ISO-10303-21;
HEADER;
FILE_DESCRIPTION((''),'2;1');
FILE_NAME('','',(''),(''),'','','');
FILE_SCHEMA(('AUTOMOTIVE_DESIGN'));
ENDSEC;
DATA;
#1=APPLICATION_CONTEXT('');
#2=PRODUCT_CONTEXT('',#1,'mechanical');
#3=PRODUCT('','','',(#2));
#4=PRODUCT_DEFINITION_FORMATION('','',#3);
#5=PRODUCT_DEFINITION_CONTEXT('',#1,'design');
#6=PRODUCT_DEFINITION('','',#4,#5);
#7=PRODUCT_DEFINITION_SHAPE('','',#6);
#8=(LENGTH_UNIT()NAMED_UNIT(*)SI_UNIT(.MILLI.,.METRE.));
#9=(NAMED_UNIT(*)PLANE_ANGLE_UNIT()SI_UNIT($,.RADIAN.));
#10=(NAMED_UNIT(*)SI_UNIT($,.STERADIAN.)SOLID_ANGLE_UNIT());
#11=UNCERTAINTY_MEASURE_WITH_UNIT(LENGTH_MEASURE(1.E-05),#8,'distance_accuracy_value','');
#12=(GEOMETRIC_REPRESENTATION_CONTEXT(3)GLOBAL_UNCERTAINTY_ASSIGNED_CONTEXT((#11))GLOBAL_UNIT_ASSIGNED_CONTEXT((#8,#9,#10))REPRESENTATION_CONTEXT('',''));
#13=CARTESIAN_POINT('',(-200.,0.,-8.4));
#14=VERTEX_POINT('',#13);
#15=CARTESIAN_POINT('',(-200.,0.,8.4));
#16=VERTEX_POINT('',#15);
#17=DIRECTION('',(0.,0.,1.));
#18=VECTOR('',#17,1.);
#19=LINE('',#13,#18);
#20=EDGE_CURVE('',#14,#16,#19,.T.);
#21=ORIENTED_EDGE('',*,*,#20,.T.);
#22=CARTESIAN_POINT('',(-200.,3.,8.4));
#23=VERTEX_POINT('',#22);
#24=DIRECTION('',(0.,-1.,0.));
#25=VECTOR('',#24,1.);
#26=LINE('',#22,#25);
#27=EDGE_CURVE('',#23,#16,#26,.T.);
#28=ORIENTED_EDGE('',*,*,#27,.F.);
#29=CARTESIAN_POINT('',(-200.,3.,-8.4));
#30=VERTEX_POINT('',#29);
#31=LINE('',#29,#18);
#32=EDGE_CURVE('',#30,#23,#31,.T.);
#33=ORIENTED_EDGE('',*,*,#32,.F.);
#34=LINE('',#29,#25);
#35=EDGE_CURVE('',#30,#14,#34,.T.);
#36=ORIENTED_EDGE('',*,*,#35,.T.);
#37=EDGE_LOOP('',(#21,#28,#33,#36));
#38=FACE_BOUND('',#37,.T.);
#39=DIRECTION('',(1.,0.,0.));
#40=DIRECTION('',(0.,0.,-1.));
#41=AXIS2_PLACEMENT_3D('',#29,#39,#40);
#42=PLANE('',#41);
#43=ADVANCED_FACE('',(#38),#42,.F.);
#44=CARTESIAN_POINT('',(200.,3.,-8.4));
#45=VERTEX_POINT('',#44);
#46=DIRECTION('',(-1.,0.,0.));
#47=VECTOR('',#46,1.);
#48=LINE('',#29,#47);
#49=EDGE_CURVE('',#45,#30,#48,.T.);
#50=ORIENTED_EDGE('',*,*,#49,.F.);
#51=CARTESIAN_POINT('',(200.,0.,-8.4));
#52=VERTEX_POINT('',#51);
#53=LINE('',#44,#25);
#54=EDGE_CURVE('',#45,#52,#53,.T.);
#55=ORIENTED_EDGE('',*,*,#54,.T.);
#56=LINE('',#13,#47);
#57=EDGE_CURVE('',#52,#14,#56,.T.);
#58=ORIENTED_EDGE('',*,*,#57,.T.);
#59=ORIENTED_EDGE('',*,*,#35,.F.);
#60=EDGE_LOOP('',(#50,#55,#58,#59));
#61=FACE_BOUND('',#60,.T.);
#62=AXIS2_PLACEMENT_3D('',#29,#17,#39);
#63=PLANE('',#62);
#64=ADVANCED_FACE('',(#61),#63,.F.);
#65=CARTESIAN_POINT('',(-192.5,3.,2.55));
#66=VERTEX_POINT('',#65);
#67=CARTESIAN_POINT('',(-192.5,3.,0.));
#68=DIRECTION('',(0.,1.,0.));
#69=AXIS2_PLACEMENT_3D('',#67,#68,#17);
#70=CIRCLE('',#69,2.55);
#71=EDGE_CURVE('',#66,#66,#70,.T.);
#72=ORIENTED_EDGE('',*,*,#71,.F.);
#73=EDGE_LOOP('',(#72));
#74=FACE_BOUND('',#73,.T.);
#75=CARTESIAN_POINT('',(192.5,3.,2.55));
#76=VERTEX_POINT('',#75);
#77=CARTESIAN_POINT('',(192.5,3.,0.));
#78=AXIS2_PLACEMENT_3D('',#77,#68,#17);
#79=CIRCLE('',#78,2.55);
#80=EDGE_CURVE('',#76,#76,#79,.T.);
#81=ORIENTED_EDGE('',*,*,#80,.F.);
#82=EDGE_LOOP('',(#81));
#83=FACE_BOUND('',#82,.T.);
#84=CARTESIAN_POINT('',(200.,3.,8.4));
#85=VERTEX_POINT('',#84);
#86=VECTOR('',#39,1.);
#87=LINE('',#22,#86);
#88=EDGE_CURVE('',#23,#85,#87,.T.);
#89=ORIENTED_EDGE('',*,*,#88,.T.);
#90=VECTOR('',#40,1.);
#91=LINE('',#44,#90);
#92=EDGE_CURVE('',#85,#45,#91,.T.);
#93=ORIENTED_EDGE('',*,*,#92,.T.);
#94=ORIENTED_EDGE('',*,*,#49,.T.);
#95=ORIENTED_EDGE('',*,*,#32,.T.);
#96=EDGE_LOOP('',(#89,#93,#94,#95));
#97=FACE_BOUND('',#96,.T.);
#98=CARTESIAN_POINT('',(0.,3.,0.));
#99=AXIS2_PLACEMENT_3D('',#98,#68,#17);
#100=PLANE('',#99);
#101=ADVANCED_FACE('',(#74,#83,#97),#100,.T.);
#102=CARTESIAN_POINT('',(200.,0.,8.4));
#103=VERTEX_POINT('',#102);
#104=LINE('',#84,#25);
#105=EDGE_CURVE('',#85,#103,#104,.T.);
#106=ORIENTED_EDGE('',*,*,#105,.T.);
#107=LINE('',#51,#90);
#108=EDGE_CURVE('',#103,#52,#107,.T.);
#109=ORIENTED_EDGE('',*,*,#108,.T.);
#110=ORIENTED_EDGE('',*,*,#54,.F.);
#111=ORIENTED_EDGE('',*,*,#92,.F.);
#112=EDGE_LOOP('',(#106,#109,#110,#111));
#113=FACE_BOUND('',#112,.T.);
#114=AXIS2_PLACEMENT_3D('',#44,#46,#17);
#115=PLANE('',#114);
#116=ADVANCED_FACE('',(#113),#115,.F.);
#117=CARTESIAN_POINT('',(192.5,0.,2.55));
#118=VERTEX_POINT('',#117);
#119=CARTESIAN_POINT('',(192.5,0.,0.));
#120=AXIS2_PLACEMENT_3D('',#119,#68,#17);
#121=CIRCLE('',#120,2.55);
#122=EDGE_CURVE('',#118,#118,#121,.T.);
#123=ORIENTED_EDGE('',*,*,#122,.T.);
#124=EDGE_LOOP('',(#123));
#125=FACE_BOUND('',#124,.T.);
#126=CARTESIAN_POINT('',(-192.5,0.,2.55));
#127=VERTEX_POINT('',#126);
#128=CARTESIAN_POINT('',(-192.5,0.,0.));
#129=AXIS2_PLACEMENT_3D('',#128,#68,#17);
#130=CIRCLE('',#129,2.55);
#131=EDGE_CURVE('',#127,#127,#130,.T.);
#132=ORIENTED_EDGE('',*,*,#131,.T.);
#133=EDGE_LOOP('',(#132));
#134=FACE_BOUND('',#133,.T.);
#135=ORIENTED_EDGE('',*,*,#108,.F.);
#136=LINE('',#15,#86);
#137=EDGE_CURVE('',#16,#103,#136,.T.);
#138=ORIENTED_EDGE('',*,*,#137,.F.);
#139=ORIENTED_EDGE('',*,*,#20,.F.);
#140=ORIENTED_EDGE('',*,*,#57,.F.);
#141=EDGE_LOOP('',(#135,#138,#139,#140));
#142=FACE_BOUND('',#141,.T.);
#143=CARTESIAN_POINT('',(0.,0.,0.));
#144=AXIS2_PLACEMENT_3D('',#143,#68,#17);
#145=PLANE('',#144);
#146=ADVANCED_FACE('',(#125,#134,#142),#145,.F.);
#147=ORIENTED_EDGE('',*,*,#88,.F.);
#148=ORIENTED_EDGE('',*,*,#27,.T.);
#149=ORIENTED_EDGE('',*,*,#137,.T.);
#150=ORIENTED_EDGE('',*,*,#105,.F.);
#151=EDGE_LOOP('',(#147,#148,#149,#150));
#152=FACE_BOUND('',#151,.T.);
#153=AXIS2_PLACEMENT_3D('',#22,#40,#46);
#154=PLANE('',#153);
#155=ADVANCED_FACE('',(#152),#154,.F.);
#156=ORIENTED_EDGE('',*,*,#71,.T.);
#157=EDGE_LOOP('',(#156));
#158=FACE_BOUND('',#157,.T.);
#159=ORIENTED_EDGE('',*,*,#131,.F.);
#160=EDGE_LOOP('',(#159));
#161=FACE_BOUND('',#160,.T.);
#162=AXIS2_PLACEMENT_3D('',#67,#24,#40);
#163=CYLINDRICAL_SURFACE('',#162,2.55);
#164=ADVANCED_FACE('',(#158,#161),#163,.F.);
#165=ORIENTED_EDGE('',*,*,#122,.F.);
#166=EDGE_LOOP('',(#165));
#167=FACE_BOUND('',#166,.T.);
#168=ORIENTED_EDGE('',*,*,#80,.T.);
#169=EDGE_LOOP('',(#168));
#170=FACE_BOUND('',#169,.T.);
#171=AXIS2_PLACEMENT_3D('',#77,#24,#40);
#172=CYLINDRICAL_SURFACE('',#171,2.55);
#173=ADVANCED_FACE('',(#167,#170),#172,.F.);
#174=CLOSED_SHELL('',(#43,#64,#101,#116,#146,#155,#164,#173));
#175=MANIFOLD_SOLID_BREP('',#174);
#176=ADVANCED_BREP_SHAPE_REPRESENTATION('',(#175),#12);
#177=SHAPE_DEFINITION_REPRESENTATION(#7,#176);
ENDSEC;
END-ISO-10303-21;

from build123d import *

# Parameters (mm, degrees)
SKETCH1_W           = 400
SKETCH1_H           = 16.8
SKETCH1_R           = 2.55
BOSS_EXTRUDE1_DEPTH = 3


with BuildPart() as part:
    # Sketch1 → Boss-Extrude1 (new body)
    with BuildSketch(Plane(origin=(0, 0, 0), x_dir=(1, 0, 0), z_dir=(0, 1, 0))):
        Rectangle(SKETCH1_W, SKETCH1_H)
        with Locations((-192.5, 0)):
            Circle(SKETCH1_R, mode=Mode.SUBTRACT)
        with Locations((192.5, 0)):
            Circle(SKETCH1_R, mode=Mode.SUBTRACT)
    extrude(amount=BOSS_EXTRUDE1_DEPTH)


solid = part.part
